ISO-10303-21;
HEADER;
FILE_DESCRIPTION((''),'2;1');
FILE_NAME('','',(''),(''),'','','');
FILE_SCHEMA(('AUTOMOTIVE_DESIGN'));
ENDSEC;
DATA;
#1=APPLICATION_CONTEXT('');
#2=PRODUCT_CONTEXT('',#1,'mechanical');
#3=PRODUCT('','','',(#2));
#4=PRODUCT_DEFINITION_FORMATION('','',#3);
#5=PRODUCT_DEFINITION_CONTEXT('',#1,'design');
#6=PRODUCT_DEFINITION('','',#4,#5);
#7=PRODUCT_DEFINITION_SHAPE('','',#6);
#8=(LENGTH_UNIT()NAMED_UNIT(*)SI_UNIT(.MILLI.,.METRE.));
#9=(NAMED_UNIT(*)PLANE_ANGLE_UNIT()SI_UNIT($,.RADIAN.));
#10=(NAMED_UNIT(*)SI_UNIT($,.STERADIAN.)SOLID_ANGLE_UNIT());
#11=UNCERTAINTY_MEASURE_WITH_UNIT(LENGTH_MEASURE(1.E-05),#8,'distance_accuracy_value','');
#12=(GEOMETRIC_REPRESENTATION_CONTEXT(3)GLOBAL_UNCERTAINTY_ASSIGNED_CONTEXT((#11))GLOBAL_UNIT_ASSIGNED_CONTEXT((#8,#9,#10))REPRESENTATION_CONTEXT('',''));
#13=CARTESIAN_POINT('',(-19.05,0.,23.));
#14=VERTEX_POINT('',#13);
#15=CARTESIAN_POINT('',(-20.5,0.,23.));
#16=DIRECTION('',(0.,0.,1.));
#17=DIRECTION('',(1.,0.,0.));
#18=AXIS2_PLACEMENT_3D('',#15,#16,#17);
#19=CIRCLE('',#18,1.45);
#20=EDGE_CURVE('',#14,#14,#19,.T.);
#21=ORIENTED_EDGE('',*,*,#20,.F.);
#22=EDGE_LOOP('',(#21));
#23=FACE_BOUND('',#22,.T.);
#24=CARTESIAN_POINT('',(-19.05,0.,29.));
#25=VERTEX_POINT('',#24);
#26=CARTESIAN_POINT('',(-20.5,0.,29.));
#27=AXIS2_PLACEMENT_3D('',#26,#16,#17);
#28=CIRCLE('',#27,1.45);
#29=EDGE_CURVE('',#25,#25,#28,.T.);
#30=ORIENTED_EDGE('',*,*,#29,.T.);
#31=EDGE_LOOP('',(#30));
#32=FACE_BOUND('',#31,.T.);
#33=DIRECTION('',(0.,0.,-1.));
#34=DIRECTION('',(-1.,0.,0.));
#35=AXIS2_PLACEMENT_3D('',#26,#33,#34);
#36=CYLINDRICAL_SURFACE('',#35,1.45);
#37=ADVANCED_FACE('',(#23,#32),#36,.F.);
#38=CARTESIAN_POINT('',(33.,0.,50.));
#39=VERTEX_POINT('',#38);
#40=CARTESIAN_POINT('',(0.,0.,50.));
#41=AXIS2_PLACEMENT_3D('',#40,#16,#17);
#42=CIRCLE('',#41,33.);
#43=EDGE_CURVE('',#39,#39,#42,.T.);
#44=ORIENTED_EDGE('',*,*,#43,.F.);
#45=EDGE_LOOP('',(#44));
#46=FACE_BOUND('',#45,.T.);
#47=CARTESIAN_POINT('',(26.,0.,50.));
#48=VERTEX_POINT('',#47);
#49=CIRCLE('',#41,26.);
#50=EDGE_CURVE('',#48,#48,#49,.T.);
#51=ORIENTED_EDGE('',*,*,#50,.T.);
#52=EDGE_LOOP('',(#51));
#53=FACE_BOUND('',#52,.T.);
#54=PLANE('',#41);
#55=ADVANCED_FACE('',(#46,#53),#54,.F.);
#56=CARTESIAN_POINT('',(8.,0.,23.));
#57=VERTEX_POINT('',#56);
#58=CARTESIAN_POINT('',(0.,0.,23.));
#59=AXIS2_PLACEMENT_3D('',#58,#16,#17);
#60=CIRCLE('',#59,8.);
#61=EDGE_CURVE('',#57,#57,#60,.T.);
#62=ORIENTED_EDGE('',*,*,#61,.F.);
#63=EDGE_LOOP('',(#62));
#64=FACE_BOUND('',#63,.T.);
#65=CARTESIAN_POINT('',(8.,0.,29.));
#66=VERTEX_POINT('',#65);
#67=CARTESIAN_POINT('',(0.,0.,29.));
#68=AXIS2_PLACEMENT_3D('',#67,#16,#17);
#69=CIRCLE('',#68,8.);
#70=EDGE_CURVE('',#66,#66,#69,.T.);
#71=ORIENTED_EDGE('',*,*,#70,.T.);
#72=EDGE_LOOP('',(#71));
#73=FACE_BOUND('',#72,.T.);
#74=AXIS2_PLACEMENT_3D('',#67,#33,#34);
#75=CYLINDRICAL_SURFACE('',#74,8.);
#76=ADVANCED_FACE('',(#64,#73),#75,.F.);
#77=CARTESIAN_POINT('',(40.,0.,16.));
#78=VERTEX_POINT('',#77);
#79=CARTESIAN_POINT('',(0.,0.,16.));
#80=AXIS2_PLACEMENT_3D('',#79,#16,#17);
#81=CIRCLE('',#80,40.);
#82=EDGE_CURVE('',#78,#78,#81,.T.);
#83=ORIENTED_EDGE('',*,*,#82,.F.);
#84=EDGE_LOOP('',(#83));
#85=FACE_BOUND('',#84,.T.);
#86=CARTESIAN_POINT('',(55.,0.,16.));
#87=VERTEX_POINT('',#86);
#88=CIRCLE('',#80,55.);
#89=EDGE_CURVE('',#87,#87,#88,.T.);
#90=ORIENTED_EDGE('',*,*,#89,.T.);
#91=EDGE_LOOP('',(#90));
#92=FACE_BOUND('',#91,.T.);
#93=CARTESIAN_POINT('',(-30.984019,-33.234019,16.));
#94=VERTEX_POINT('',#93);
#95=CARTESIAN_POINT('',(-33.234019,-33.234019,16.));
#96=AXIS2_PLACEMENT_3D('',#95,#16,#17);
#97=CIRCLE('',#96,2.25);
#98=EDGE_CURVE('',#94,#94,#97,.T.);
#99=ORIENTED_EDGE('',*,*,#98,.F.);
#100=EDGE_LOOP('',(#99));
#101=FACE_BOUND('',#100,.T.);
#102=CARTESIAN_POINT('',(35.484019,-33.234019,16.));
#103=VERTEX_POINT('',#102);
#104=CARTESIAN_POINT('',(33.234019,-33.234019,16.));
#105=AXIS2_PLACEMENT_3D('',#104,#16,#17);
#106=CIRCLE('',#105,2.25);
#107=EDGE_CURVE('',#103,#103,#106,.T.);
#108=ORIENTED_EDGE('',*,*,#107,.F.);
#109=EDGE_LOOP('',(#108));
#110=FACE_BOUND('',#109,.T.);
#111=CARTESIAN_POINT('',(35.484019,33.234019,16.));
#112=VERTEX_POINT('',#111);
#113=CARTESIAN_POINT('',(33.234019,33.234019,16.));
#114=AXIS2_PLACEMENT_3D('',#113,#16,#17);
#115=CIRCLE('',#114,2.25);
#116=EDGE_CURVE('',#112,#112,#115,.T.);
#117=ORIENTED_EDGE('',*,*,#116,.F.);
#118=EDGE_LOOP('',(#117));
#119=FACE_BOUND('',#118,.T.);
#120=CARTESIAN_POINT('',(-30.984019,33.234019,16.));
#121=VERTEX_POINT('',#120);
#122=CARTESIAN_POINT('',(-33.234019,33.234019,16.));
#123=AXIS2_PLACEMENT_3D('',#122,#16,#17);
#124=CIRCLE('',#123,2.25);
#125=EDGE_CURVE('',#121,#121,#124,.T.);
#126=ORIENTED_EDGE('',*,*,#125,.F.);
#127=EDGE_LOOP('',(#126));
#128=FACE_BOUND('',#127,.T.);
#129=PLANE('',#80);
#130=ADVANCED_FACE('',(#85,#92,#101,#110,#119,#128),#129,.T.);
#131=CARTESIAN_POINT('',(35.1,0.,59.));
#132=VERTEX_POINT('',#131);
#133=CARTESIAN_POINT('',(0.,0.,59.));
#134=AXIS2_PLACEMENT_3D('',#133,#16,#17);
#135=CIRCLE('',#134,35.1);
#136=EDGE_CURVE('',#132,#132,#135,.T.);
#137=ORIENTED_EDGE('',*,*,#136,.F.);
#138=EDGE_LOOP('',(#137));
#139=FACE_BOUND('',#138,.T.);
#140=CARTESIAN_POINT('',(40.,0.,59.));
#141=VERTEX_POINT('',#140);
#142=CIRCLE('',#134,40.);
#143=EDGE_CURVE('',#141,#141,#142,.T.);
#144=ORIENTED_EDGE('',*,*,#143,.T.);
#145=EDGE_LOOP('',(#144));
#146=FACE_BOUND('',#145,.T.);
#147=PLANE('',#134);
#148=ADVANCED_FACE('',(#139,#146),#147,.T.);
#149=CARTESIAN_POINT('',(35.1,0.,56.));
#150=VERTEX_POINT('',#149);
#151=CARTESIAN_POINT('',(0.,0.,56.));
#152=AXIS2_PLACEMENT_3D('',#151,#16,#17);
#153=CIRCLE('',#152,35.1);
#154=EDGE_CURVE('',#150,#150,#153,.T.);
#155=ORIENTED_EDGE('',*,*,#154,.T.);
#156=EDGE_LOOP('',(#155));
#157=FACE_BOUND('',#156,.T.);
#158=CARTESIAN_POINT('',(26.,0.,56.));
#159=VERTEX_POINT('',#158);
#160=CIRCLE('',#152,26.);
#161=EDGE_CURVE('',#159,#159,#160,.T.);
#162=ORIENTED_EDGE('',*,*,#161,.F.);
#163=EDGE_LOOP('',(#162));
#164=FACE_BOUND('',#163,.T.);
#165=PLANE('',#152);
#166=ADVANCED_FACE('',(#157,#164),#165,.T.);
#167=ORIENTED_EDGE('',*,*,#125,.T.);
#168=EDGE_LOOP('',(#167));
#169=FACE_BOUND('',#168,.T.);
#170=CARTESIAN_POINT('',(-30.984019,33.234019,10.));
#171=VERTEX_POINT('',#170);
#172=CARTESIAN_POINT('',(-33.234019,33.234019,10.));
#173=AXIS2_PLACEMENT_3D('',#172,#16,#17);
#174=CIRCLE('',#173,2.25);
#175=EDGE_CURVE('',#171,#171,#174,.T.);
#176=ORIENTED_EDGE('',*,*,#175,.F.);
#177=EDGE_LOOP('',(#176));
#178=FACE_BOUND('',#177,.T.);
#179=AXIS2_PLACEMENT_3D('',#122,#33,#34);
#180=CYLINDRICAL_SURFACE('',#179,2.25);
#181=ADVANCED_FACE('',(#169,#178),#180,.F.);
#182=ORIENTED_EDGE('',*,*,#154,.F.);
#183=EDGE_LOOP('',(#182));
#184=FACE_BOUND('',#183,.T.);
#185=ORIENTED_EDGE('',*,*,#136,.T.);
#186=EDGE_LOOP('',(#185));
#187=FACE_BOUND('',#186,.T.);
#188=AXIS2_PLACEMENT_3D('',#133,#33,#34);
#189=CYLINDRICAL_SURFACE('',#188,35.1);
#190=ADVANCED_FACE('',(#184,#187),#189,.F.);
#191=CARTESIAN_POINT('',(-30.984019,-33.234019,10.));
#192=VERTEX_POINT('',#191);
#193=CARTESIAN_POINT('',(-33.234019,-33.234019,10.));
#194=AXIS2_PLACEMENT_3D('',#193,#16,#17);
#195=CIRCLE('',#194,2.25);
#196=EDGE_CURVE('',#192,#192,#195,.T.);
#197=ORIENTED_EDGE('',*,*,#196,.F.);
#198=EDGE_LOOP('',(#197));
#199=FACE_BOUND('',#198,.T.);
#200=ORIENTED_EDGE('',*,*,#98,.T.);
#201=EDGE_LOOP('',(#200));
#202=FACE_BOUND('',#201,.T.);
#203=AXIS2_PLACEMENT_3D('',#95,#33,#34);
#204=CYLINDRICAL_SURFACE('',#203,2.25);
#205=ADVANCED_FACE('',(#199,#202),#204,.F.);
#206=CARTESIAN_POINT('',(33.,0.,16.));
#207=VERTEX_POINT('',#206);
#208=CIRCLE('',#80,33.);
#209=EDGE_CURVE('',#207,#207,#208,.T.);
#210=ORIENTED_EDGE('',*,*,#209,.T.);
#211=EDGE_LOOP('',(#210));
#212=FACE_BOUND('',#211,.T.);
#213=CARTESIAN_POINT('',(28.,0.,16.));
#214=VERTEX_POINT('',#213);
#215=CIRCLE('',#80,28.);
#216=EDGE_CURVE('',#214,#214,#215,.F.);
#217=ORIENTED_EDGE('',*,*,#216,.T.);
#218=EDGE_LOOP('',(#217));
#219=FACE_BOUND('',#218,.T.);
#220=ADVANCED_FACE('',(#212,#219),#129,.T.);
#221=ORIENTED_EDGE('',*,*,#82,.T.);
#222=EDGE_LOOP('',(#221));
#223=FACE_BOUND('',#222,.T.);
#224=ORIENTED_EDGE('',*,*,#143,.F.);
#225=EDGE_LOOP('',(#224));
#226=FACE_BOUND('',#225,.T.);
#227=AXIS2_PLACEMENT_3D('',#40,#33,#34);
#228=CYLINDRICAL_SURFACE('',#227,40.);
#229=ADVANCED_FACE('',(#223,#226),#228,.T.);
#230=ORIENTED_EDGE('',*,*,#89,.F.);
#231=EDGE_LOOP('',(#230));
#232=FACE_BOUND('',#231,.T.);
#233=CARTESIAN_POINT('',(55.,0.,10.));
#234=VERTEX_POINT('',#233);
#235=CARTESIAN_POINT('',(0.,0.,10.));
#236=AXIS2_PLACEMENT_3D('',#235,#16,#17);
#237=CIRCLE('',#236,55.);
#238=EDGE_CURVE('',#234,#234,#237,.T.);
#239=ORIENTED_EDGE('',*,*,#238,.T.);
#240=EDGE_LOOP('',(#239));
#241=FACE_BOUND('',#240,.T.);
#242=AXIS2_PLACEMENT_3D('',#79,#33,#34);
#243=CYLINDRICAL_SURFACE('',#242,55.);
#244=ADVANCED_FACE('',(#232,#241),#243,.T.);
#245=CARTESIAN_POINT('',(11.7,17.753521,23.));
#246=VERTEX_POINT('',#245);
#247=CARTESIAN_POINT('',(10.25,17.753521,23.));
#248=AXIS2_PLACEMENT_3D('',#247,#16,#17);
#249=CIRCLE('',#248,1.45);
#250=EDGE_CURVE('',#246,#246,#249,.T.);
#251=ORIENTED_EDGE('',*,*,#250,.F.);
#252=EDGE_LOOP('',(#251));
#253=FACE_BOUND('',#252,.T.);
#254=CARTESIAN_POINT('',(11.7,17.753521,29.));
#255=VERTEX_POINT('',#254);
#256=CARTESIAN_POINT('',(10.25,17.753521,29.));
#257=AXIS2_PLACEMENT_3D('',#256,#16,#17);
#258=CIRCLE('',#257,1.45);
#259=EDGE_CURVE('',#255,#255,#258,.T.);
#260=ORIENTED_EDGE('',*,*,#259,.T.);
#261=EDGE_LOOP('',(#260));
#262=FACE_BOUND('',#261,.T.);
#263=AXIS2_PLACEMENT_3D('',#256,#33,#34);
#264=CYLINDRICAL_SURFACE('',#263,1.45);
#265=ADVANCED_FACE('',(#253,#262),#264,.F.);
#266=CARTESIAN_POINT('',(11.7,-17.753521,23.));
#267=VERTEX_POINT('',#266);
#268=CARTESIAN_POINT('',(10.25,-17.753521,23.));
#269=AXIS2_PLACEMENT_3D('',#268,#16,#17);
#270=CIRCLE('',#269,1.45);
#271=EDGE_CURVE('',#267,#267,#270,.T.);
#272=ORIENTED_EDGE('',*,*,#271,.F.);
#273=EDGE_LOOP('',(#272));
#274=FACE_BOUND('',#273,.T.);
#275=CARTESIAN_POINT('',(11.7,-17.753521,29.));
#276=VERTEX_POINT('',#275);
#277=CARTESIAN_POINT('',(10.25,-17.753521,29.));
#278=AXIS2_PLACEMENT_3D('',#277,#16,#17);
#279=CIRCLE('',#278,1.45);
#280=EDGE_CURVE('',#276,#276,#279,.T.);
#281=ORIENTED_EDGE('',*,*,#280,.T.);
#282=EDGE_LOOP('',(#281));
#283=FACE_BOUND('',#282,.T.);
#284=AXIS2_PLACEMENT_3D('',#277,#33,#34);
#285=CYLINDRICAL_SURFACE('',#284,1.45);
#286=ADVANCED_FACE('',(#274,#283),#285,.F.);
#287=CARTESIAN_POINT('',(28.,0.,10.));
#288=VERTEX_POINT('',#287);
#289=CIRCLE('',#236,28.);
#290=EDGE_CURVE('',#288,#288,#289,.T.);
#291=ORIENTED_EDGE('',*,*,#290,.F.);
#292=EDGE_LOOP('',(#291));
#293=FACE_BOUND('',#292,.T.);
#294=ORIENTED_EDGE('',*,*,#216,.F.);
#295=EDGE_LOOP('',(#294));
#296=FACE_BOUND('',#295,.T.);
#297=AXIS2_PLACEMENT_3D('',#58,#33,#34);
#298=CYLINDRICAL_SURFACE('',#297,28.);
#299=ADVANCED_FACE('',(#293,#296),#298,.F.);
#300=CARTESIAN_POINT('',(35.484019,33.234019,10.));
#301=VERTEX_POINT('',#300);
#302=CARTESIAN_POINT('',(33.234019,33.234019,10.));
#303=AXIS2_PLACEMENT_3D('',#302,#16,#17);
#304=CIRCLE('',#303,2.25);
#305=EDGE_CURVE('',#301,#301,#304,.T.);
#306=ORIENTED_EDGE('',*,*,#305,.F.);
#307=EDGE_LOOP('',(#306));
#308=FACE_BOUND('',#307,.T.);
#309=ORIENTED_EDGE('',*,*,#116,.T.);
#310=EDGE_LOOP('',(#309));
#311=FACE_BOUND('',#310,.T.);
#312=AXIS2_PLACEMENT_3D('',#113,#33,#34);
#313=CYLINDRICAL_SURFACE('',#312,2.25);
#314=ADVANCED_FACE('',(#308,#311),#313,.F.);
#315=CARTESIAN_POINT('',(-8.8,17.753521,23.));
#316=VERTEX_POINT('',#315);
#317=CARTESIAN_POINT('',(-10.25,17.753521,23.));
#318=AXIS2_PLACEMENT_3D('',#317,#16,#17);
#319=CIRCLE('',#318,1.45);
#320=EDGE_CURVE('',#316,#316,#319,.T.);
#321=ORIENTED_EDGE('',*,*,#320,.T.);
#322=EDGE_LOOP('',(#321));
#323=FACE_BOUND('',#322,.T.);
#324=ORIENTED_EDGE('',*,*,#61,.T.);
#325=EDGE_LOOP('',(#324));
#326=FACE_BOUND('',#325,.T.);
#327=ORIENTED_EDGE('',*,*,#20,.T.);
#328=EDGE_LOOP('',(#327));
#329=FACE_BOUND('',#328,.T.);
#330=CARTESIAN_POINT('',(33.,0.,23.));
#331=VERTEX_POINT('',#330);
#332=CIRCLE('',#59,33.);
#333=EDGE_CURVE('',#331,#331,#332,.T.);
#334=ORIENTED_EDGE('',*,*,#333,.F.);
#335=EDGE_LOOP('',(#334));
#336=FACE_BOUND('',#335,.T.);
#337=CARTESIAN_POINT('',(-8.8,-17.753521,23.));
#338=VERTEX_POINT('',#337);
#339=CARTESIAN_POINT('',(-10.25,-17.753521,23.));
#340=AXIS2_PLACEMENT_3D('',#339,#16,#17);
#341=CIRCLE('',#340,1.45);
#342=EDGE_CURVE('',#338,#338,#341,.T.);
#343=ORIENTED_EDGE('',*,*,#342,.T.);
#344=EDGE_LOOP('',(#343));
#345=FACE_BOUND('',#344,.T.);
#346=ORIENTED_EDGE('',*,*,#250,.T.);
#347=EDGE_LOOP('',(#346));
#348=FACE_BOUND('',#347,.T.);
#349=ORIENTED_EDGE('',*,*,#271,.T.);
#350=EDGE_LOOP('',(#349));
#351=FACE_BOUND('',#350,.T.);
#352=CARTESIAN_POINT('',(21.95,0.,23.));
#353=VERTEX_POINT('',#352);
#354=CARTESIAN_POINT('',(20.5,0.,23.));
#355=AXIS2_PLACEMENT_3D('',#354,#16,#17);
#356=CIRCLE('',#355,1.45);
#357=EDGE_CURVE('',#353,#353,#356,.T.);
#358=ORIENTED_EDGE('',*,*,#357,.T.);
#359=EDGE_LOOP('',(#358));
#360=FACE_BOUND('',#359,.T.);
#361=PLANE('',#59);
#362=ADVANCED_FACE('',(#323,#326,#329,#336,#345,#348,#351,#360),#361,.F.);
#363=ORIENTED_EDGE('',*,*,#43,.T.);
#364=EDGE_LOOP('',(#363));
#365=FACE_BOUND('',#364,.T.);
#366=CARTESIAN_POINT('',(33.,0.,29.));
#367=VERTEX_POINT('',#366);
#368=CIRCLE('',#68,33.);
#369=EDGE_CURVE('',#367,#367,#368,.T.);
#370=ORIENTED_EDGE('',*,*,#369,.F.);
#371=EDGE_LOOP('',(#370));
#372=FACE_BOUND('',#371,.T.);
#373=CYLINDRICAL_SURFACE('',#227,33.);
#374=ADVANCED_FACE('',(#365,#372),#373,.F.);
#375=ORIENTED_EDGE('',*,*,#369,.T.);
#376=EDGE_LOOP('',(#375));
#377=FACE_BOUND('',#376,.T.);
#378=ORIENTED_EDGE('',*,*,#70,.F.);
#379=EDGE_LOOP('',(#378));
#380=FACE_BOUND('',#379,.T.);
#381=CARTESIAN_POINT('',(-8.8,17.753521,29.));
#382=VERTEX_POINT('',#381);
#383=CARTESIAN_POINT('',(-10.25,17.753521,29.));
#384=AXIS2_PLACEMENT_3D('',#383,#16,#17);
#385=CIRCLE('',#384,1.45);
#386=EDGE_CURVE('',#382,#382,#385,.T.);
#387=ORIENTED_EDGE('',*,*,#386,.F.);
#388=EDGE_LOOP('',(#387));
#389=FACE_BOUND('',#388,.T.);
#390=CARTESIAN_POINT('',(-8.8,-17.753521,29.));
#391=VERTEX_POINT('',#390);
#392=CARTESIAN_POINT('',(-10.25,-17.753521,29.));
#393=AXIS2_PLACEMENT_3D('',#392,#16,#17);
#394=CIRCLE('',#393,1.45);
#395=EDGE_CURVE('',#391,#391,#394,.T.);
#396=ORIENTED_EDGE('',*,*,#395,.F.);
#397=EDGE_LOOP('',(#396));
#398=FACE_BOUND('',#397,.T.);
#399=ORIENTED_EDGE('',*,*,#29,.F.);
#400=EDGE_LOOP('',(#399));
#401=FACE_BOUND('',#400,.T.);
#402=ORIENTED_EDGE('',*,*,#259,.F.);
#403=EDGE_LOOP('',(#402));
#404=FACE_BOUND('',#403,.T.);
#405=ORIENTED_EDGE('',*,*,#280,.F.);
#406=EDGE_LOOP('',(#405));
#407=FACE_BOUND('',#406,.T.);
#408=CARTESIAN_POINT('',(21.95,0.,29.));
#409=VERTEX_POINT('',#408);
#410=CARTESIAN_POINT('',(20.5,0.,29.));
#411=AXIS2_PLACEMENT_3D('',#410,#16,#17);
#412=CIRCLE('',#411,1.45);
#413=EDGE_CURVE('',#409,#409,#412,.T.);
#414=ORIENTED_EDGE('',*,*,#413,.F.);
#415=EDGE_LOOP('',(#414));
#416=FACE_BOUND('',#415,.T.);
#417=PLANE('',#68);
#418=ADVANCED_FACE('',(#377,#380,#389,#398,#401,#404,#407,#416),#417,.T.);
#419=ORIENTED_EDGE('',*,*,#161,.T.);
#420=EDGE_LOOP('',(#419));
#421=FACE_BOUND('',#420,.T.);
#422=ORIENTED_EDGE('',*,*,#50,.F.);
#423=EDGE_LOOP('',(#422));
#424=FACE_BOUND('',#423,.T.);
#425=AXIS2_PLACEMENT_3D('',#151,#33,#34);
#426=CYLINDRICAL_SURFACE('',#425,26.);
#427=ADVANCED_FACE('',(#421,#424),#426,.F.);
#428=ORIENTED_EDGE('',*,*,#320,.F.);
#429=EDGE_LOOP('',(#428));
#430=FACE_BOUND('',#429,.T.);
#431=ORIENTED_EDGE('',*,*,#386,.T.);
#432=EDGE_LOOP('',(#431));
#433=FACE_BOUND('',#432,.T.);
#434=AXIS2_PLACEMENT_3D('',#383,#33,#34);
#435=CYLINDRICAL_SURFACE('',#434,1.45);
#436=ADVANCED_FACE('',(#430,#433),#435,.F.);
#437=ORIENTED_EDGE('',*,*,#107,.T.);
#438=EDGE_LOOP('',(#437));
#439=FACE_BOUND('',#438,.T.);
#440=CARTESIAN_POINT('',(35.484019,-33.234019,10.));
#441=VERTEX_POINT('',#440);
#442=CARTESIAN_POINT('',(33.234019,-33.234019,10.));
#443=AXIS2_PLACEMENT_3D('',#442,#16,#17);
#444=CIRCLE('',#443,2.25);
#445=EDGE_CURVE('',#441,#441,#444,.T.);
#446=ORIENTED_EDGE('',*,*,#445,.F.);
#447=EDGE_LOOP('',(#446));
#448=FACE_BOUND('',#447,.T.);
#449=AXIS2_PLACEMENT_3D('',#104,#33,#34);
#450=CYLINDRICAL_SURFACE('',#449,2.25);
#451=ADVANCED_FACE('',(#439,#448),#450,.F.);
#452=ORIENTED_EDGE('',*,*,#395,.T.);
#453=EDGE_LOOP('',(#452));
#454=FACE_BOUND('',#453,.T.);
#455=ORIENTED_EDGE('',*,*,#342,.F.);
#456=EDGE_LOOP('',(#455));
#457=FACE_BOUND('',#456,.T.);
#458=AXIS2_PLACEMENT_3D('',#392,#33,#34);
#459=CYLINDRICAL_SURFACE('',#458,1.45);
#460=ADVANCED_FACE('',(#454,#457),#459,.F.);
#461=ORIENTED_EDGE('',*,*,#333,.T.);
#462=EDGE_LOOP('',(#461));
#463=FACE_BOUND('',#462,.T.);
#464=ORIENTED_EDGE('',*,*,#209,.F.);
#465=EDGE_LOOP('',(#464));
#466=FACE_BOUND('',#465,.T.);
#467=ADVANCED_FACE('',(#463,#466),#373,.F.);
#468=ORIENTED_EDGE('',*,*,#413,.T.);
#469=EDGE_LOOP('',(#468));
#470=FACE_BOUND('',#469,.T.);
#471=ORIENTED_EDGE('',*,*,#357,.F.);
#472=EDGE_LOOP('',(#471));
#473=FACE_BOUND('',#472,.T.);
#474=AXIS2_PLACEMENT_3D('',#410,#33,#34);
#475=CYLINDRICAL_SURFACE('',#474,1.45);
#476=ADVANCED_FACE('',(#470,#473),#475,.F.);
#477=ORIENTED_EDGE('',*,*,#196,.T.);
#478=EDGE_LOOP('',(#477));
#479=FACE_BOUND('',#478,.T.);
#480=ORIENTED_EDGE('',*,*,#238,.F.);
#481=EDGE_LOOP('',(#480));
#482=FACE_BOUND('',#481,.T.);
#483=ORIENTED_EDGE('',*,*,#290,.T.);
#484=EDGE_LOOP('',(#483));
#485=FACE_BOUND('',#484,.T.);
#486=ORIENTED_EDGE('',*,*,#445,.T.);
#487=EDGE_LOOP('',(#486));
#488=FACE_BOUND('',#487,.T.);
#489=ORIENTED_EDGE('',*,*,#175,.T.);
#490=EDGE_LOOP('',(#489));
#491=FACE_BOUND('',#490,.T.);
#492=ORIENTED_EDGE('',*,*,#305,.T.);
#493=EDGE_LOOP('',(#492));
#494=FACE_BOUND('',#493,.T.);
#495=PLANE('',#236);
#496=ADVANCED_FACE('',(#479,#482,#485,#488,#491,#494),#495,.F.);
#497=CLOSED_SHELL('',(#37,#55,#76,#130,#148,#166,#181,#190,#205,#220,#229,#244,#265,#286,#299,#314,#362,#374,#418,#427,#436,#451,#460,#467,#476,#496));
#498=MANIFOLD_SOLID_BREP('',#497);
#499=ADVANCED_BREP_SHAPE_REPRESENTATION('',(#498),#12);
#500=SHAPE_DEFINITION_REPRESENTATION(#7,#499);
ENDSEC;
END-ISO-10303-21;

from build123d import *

# Parameters (mm, degrees)
BRIDA_START                               = 10
SK_BRIDA_R                                = 55
BRIDA_DEPTH                               = 6
TUBO_START                                = 16
SK_TUBO_R                                 = 40
SK_TUBO_R_2                               = 33
TUBO_DEPTH                                = 34
ARO_RODAMIENTO_START                      = 50
SK_ARO_RODAMIENTO_R                       = 40
SK_ARO_RODAMIENTO_R_2                     = 26
ARO_RODAMIENTO_DEPTH                      = 6
ASIENTO_ARANDELA_ALOJAMIENTO_51110_START  = 56
SK_ASIENTO_ARANDELA_ALOJAMIENTO_51110_R   = 40
SK_ASIENTO_ARANDELA_ALOJAMIENTO_51110_R_2 = 35.1
ASIENTO_ARANDELA_ALOJAMIENTO_51110_DEPTH  = 3
PLACA_MOTOR_START                         = 23
SK_PLACA_MOTOR_R                          = 33
PLACA_MOTOR_DEPTH                         = 6
HUECO_BRIDA_START                         = 10
SK_HUECO_BRIDA_R                          = 28
HUECO_BRIDA_DEPTH                         = 13
CENTRO_MOTOR_START                        = 23
SK_CENTRO_MOTOR_R                         = 8
CENTRO_MOTOR_DEPTH                        = 6
PASANTES_M2_5_MOTOR_START                 = 23
SK_PASANTES_M2_5_MOTOR_R                  = 1.45
PASANTES_M2_5_MOTOR_DEPTH                 = 6
PASANTES_M4_BRIDA_START                   = 10
SK_PASANTES_M4_BRIDA_R                    = 2.25
PASANTES_M4_BRIDA_DEPTH                   = 6


with BuildPart() as part:
    # Sk_Brida → Brida (new body)
    with BuildSketch(Plane.XY.offset(BRIDA_START)):
        Circle(SK_BRIDA_R)
    extrude(amount=BRIDA_DEPTH)

    # Sk_Tubo → Tubo (add)
    with BuildSketch(Plane.XY.offset(TUBO_START)):
        Circle(SK_TUBO_R)
        Circle(SK_TUBO_R_2, mode=Mode.SUBTRACT)
    extrude(amount=TUBO_DEPTH)

    # Sk_Aro_rodamiento → Aro_rodamiento (add)
    with BuildSketch(Plane.XY.offset(ARO_RODAMIENTO_START)):
        Circle(SK_ARO_RODAMIENTO_R)
        Circle(SK_ARO_RODAMIENTO_R_2, mode=Mode.SUBTRACT)
    extrude(amount=ARO_RODAMIENTO_DEPTH)

    # Sk_Asiento_arandela_alojamiento_51110 → Asiento_arandela_alojamiento_51110 (add)
    with BuildSketch(Plane.XY.offset(ASIENTO_ARANDELA_ALOJAMIENTO_51110_START)):
        Circle(SK_ASIENTO_ARANDELA_ALOJAMIENTO_51110_R)
        Circle(SK_ASIENTO_ARANDELA_ALOJAMIENTO_51110_R_2, mode=Mode.SUBTRACT)
    extrude(amount=ASIENTO_ARANDELA_ALOJAMIENTO_51110_DEPTH)

    # Sk_Placa_motor → Placa_motor (add)
    with BuildSketch(Plane.XY.offset(PLACA_MOTOR_START)):
        Circle(SK_PLACA_MOTOR_R)
    extrude(amount=PLACA_MOTOR_DEPTH)

    # Sk_Hueco_brida → Hueco_brida (cut)
    with BuildSketch(Plane.XY.offset(HUECO_BRIDA_START)):
        Circle(SK_HUECO_BRIDA_R)
    extrude(amount=HUECO_BRIDA_DEPTH, mode=Mode.SUBTRACT)

    # Sk_Centro_motor → Centro_motor (cut)
    with BuildSketch(Plane.XY.offset(CENTRO_MOTOR_START)):
        Circle(SK_CENTRO_MOTOR_R)
    extrude(amount=CENTRO_MOTOR_DEPTH, mode=Mode.SUBTRACT)

    # Sk_Pasantes_M2-5_motor → Pasantes_M2-5_motor (cut)
    with BuildSketch(Plane.XY.offset(PASANTES_M2_5_MOTOR_START)):
        with Locations((20.5, 0)):
            Circle(SK_PASANTES_M2_5_MOTOR_R)
        with Locations((10.25, 17.753520778)):
            Circle(SK_PASANTES_M2_5_MOTOR_R)
        with Locations((-10.25, 17.753520778)):
            Circle(SK_PASANTES_M2_5_MOTOR_R)
        with Locations((-20.5, 0)):
            Circle(SK_PASANTES_M2_5_MOTOR_R)
        with Locations((-10.25, -17.753520778)):
            Circle(SK_PASANTES_M2_5_MOTOR_R)
        with Locations((10.25, -17.753520778)):
            Circle(SK_PASANTES_M2_5_MOTOR_R)
    extrude(amount=PASANTES_M2_5_MOTOR_DEPTH, mode=Mode.SUBTRACT)

    # Sk_Pasantes_M4_brida → Pasantes_M4_brida (cut)
    with BuildSketch(Plane.XY.offset(PASANTES_M4_BRIDA_START)):
        with Locations((33.234018716, 33.234018716)):
            Circle(SK_PASANTES_M4_BRIDA_R)
        with Locations((-33.234018716, 33.234018716)):
            Circle(SK_PASANTES_M4_BRIDA_R)
        with Locations((-33.234018716, -33.234018716)):
            Circle(SK_PASANTES_M4_BRIDA_R)
        with Locations((33.234018716, -33.234018716)):
            Circle(SK_PASANTES_M4_BRIDA_R)
    extrude(amount=PASANTES_M4_BRIDA_DEPTH, mode=Mode.SUBTRACT)


solid = part.part
